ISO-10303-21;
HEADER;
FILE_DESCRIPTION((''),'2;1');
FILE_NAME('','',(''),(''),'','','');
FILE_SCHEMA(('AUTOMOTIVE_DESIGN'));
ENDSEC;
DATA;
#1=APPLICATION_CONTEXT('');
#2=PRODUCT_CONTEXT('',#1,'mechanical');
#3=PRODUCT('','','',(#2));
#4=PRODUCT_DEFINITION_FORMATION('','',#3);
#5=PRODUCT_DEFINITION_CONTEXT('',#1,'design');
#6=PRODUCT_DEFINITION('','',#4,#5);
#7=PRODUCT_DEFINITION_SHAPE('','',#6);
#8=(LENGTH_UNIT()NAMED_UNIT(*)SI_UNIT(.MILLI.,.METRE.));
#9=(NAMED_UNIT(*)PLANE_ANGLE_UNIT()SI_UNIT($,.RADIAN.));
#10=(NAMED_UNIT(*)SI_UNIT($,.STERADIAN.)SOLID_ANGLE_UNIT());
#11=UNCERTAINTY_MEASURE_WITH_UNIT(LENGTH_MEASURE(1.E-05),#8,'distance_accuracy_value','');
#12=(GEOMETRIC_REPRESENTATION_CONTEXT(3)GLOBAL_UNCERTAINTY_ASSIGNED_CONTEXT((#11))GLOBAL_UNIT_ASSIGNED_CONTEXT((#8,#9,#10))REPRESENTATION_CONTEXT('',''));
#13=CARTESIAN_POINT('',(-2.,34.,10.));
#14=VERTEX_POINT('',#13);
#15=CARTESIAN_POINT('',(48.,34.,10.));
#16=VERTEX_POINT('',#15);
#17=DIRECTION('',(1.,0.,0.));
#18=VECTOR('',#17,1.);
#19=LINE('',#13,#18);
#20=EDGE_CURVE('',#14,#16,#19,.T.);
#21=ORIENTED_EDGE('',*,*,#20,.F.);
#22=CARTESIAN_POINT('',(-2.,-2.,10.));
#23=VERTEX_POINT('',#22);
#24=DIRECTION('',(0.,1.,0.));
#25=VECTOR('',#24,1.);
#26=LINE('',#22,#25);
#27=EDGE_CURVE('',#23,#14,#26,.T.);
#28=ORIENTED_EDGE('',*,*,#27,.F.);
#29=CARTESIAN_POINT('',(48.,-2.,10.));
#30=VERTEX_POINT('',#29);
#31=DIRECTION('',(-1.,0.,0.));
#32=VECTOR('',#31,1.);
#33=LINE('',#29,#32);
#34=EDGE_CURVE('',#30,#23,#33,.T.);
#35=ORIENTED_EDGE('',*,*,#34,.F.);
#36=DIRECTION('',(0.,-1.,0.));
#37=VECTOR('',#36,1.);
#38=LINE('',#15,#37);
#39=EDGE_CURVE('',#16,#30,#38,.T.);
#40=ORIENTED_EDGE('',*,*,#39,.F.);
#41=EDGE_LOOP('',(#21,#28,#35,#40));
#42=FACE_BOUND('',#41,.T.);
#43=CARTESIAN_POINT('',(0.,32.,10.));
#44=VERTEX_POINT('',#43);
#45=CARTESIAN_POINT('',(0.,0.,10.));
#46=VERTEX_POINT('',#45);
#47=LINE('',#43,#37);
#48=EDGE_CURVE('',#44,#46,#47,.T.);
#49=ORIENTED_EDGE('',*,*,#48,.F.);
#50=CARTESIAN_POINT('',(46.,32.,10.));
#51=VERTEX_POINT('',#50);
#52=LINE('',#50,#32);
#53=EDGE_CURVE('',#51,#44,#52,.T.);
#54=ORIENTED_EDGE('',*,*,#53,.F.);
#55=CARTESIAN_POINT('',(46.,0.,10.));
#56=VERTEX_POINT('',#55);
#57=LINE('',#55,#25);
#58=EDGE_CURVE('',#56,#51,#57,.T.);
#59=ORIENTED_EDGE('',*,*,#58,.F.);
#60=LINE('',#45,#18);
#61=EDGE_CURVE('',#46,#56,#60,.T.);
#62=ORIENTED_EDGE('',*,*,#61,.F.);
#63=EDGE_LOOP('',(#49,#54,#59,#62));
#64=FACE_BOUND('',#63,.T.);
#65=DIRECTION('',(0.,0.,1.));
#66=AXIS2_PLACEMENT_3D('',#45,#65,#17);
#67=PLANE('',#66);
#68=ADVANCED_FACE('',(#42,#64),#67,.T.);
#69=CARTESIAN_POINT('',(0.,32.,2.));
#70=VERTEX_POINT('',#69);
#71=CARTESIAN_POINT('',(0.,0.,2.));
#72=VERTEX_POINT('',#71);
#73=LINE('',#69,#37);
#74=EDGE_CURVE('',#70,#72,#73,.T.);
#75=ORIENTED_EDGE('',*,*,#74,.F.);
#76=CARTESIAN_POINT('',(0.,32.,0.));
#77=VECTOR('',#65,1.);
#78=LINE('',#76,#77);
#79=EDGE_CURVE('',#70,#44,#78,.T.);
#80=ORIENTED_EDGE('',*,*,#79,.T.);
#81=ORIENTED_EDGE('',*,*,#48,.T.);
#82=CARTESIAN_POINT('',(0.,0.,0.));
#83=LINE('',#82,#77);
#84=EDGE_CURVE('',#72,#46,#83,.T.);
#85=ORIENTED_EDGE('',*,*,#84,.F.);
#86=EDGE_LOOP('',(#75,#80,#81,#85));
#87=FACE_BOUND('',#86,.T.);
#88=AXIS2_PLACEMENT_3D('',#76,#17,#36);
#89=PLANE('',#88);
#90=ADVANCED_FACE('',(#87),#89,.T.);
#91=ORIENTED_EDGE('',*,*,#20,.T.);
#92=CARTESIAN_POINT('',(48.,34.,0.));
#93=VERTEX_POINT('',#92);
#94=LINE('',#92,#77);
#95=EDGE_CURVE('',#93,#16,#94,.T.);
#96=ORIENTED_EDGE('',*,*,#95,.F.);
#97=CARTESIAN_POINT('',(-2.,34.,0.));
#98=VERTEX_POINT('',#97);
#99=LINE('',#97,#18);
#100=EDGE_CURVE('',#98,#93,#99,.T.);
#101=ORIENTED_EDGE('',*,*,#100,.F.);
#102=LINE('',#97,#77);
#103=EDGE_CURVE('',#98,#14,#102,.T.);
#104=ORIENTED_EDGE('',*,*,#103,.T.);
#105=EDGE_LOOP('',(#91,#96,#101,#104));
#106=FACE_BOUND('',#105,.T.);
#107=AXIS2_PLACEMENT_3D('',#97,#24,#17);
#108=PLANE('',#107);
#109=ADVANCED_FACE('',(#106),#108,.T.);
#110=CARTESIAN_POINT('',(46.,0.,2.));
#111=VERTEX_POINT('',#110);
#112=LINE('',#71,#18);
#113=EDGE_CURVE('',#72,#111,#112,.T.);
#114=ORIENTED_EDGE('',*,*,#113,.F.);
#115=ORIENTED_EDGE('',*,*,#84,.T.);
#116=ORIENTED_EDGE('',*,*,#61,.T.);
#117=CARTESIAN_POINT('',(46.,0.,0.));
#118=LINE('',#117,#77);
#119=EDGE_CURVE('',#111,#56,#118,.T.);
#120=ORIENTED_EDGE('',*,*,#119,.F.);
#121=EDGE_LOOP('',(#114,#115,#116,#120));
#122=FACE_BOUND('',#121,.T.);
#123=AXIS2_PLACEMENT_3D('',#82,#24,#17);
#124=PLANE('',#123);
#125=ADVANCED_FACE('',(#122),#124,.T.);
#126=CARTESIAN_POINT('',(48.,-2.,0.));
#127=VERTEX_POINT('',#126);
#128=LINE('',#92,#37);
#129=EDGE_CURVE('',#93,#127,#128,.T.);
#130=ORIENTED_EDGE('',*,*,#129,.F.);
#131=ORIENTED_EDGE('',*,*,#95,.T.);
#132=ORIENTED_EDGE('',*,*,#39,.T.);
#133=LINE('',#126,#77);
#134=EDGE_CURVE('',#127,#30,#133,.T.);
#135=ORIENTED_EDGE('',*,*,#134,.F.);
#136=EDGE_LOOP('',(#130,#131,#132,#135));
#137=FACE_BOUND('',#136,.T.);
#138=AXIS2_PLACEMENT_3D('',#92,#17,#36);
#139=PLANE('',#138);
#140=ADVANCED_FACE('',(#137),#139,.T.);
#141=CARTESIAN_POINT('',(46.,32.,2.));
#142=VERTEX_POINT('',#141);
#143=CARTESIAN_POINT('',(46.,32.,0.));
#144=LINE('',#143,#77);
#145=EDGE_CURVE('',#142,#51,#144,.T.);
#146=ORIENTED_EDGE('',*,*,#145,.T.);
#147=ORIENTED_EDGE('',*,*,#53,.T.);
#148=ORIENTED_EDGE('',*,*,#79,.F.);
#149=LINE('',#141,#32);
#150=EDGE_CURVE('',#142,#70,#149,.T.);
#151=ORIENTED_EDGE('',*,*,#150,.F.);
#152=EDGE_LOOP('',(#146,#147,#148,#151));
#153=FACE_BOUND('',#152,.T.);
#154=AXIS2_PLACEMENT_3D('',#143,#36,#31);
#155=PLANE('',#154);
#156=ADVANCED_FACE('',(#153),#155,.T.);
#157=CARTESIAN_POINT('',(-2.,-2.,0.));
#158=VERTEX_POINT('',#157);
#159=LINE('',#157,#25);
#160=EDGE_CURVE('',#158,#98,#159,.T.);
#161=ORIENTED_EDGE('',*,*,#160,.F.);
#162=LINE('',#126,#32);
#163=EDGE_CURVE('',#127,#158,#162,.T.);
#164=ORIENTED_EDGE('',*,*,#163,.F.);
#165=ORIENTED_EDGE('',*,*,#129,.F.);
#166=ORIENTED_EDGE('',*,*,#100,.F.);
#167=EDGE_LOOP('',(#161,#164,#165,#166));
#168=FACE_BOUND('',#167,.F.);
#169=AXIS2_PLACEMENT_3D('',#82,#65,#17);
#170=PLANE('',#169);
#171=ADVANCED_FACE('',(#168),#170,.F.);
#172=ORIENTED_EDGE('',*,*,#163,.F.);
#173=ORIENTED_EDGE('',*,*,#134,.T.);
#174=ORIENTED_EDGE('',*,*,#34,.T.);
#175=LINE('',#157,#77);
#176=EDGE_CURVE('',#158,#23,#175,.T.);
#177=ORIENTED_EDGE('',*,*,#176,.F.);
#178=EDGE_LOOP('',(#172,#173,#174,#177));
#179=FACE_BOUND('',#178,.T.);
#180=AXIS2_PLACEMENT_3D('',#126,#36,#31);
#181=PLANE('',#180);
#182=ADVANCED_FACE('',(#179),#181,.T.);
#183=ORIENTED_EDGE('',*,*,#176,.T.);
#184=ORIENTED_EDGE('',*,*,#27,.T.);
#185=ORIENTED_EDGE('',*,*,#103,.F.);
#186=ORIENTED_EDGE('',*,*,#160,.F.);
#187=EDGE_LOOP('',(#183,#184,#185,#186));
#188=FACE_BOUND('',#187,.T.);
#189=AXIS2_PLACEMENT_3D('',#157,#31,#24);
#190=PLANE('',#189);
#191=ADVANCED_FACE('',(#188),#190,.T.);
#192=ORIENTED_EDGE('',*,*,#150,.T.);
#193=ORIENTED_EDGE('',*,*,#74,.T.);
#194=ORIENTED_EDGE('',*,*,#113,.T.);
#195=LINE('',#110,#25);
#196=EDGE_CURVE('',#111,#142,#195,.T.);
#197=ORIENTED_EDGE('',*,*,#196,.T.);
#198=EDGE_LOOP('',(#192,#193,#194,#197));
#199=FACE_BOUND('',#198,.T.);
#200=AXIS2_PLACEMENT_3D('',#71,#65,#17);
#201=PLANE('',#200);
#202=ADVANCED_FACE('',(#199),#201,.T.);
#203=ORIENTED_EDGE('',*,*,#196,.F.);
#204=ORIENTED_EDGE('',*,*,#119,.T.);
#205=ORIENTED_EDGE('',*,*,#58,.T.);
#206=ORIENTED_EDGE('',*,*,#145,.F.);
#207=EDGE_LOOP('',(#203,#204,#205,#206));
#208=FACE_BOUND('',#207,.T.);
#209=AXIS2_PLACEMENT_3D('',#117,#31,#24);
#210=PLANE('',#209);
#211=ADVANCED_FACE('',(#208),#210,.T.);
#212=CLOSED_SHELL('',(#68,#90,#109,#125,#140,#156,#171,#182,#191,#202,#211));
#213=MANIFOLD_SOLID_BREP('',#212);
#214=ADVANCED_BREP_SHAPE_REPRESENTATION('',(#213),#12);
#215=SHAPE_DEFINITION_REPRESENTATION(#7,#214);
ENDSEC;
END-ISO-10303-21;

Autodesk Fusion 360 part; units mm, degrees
sketch "Sketch1" plane through (0, 0, 0) normal (0, 0, 1) x (1, 0, 0)
  line L0 (0, 0) -> (46, 0)
  line L1 (46, 0) -> (46, 32)
  line L2 (46, 32) -> (0, 32)
  line L3 (0, 32) -> (0, 0)
  line L4 (-2, 34) -> (48, 34)
  line L5 (48, 34) -> (48, -2)
  line L6 (48, -2) -> (-2, -2)
  line L7 (-2, -2) -> (-2, 34)
  dimension "d1" = 46
  dimension "d2" = 32
  dimension "d3" = 2
  dimension "d4" = 2
  dimension "d5" = 2
  dimension "d6" = 2
extrude "Extrude1" add sketch "Sketch1" along normal blind 2 contours L0 L1 L2 L3
extrude "Extrude2" add sketch "Sketch1" along normal blind 10
